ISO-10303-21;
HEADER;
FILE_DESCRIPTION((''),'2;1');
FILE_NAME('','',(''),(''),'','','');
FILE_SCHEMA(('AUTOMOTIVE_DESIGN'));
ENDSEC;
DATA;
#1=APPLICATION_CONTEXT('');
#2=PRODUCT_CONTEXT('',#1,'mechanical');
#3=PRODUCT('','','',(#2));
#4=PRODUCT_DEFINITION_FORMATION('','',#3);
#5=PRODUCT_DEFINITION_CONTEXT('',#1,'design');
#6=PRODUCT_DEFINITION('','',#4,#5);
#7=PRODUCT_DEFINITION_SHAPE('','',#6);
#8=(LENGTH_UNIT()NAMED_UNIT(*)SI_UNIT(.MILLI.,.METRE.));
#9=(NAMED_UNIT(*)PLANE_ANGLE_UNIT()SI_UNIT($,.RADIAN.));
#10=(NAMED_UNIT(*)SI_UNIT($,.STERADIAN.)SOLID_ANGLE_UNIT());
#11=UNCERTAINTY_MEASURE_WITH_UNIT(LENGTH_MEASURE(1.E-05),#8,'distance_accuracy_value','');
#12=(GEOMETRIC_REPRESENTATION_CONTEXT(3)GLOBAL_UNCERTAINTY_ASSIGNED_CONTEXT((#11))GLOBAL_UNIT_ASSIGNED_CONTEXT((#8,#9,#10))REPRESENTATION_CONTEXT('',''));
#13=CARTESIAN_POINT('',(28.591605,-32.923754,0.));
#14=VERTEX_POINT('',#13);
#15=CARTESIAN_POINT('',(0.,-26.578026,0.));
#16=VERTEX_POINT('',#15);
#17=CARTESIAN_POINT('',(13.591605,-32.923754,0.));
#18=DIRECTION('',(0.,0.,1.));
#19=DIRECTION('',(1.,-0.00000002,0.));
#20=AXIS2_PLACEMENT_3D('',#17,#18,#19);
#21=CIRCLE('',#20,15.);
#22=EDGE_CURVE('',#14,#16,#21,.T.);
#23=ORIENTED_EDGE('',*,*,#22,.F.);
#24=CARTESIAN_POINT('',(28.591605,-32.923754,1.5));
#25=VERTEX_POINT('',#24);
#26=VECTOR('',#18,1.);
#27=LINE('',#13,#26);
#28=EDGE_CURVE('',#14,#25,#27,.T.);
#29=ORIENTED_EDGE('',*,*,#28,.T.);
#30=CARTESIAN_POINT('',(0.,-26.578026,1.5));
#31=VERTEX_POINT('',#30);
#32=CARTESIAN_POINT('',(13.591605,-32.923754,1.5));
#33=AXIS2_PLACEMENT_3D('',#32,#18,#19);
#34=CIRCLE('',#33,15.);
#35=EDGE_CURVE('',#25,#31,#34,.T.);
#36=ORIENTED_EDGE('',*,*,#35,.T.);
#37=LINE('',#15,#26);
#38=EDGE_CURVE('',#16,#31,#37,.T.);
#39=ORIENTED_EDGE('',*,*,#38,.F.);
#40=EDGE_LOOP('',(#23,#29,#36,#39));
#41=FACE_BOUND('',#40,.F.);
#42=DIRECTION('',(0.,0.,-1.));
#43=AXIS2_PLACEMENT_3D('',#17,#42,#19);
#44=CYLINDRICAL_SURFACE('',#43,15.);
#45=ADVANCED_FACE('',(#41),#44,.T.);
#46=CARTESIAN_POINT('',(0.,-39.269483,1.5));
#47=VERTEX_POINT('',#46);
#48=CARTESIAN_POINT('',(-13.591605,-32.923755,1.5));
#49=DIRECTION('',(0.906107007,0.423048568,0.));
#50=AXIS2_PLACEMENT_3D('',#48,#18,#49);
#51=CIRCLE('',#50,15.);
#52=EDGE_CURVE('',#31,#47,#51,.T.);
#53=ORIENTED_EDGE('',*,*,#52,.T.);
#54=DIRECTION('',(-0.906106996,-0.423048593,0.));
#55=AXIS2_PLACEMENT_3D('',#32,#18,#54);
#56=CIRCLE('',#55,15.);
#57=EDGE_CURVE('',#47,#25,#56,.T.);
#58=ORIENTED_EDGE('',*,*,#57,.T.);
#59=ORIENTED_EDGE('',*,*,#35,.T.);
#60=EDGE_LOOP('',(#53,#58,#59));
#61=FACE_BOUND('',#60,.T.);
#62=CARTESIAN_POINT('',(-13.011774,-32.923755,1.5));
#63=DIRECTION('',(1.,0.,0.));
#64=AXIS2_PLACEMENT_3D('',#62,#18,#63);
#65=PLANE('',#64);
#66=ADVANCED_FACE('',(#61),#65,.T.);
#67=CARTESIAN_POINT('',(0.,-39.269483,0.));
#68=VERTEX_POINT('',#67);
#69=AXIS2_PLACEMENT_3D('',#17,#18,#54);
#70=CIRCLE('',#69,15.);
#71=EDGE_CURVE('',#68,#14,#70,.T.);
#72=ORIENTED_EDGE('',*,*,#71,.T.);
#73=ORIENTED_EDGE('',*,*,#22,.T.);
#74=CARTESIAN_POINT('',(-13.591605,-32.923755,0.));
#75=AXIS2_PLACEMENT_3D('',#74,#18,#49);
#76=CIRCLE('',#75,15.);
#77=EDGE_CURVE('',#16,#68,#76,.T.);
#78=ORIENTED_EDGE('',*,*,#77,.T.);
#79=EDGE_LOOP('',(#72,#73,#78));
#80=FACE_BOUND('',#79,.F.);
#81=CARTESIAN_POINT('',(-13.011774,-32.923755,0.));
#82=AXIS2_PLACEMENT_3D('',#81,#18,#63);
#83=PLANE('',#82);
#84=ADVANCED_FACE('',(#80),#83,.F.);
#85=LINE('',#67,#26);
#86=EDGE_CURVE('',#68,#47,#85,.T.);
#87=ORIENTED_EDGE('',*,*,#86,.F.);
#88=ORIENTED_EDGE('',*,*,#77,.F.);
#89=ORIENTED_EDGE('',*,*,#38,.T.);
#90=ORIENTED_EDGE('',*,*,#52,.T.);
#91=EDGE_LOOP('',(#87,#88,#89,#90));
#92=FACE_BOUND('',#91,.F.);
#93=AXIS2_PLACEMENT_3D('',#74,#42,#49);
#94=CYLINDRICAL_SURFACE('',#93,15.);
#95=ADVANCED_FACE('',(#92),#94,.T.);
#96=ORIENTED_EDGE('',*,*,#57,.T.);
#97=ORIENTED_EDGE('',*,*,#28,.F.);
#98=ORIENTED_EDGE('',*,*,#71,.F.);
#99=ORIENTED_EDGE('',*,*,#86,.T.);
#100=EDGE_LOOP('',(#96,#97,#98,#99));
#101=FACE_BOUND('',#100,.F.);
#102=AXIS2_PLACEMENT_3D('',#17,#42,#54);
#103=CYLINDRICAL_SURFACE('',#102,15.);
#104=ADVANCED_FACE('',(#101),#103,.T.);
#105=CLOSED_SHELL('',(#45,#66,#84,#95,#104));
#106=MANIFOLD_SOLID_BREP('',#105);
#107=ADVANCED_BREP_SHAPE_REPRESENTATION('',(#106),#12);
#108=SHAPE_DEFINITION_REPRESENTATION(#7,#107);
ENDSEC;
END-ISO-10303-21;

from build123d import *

# Parameters (mm, degrees)
F1_DEPTH = 1.5


with BuildPart() as f1:
    # F0 (on Top) → F1 (new body)
    with BuildSketch(Plane.XY):
        with BuildLine():
            ThreePointArc((0, -39.269483), (-1.408395, -32.923754), (0, -26.578026))
            ThreePointArc((0, -26.578026), (-28.591605, -32.923754), (0, -39.269483))
        make_face()
        with BuildLine():
            ThreePointArc((0, -39.269483), (1.052064, -36.173825), (1.408395, -32.923754))
            ThreePointArc((1.408395, -32.923754), (1.052064, -29.673683), (0, -26.578026))
            ThreePointArc((0, -26.578026), (-1.408395, -32.923754), (0, -39.269483))
        make_face()
        with BuildLine():
            ThreePointArc((0, -26.578026), (1.052064, -29.673683), (1.408395, -32.923754))
            ThreePointArc((1.408395, -32.923754), (1.052064, -36.173825), (0, -39.269483))
            ThreePointArc((0, -39.269483), (16.841676, -47.567423), (28.591605, -32.923754))
            ThreePointArc((28.591605, -32.923754), (16.841676, -18.280085), (0, -26.578026))
        make_face()
    extrude(amount=F1_DEPTH)


solid = f1.part
